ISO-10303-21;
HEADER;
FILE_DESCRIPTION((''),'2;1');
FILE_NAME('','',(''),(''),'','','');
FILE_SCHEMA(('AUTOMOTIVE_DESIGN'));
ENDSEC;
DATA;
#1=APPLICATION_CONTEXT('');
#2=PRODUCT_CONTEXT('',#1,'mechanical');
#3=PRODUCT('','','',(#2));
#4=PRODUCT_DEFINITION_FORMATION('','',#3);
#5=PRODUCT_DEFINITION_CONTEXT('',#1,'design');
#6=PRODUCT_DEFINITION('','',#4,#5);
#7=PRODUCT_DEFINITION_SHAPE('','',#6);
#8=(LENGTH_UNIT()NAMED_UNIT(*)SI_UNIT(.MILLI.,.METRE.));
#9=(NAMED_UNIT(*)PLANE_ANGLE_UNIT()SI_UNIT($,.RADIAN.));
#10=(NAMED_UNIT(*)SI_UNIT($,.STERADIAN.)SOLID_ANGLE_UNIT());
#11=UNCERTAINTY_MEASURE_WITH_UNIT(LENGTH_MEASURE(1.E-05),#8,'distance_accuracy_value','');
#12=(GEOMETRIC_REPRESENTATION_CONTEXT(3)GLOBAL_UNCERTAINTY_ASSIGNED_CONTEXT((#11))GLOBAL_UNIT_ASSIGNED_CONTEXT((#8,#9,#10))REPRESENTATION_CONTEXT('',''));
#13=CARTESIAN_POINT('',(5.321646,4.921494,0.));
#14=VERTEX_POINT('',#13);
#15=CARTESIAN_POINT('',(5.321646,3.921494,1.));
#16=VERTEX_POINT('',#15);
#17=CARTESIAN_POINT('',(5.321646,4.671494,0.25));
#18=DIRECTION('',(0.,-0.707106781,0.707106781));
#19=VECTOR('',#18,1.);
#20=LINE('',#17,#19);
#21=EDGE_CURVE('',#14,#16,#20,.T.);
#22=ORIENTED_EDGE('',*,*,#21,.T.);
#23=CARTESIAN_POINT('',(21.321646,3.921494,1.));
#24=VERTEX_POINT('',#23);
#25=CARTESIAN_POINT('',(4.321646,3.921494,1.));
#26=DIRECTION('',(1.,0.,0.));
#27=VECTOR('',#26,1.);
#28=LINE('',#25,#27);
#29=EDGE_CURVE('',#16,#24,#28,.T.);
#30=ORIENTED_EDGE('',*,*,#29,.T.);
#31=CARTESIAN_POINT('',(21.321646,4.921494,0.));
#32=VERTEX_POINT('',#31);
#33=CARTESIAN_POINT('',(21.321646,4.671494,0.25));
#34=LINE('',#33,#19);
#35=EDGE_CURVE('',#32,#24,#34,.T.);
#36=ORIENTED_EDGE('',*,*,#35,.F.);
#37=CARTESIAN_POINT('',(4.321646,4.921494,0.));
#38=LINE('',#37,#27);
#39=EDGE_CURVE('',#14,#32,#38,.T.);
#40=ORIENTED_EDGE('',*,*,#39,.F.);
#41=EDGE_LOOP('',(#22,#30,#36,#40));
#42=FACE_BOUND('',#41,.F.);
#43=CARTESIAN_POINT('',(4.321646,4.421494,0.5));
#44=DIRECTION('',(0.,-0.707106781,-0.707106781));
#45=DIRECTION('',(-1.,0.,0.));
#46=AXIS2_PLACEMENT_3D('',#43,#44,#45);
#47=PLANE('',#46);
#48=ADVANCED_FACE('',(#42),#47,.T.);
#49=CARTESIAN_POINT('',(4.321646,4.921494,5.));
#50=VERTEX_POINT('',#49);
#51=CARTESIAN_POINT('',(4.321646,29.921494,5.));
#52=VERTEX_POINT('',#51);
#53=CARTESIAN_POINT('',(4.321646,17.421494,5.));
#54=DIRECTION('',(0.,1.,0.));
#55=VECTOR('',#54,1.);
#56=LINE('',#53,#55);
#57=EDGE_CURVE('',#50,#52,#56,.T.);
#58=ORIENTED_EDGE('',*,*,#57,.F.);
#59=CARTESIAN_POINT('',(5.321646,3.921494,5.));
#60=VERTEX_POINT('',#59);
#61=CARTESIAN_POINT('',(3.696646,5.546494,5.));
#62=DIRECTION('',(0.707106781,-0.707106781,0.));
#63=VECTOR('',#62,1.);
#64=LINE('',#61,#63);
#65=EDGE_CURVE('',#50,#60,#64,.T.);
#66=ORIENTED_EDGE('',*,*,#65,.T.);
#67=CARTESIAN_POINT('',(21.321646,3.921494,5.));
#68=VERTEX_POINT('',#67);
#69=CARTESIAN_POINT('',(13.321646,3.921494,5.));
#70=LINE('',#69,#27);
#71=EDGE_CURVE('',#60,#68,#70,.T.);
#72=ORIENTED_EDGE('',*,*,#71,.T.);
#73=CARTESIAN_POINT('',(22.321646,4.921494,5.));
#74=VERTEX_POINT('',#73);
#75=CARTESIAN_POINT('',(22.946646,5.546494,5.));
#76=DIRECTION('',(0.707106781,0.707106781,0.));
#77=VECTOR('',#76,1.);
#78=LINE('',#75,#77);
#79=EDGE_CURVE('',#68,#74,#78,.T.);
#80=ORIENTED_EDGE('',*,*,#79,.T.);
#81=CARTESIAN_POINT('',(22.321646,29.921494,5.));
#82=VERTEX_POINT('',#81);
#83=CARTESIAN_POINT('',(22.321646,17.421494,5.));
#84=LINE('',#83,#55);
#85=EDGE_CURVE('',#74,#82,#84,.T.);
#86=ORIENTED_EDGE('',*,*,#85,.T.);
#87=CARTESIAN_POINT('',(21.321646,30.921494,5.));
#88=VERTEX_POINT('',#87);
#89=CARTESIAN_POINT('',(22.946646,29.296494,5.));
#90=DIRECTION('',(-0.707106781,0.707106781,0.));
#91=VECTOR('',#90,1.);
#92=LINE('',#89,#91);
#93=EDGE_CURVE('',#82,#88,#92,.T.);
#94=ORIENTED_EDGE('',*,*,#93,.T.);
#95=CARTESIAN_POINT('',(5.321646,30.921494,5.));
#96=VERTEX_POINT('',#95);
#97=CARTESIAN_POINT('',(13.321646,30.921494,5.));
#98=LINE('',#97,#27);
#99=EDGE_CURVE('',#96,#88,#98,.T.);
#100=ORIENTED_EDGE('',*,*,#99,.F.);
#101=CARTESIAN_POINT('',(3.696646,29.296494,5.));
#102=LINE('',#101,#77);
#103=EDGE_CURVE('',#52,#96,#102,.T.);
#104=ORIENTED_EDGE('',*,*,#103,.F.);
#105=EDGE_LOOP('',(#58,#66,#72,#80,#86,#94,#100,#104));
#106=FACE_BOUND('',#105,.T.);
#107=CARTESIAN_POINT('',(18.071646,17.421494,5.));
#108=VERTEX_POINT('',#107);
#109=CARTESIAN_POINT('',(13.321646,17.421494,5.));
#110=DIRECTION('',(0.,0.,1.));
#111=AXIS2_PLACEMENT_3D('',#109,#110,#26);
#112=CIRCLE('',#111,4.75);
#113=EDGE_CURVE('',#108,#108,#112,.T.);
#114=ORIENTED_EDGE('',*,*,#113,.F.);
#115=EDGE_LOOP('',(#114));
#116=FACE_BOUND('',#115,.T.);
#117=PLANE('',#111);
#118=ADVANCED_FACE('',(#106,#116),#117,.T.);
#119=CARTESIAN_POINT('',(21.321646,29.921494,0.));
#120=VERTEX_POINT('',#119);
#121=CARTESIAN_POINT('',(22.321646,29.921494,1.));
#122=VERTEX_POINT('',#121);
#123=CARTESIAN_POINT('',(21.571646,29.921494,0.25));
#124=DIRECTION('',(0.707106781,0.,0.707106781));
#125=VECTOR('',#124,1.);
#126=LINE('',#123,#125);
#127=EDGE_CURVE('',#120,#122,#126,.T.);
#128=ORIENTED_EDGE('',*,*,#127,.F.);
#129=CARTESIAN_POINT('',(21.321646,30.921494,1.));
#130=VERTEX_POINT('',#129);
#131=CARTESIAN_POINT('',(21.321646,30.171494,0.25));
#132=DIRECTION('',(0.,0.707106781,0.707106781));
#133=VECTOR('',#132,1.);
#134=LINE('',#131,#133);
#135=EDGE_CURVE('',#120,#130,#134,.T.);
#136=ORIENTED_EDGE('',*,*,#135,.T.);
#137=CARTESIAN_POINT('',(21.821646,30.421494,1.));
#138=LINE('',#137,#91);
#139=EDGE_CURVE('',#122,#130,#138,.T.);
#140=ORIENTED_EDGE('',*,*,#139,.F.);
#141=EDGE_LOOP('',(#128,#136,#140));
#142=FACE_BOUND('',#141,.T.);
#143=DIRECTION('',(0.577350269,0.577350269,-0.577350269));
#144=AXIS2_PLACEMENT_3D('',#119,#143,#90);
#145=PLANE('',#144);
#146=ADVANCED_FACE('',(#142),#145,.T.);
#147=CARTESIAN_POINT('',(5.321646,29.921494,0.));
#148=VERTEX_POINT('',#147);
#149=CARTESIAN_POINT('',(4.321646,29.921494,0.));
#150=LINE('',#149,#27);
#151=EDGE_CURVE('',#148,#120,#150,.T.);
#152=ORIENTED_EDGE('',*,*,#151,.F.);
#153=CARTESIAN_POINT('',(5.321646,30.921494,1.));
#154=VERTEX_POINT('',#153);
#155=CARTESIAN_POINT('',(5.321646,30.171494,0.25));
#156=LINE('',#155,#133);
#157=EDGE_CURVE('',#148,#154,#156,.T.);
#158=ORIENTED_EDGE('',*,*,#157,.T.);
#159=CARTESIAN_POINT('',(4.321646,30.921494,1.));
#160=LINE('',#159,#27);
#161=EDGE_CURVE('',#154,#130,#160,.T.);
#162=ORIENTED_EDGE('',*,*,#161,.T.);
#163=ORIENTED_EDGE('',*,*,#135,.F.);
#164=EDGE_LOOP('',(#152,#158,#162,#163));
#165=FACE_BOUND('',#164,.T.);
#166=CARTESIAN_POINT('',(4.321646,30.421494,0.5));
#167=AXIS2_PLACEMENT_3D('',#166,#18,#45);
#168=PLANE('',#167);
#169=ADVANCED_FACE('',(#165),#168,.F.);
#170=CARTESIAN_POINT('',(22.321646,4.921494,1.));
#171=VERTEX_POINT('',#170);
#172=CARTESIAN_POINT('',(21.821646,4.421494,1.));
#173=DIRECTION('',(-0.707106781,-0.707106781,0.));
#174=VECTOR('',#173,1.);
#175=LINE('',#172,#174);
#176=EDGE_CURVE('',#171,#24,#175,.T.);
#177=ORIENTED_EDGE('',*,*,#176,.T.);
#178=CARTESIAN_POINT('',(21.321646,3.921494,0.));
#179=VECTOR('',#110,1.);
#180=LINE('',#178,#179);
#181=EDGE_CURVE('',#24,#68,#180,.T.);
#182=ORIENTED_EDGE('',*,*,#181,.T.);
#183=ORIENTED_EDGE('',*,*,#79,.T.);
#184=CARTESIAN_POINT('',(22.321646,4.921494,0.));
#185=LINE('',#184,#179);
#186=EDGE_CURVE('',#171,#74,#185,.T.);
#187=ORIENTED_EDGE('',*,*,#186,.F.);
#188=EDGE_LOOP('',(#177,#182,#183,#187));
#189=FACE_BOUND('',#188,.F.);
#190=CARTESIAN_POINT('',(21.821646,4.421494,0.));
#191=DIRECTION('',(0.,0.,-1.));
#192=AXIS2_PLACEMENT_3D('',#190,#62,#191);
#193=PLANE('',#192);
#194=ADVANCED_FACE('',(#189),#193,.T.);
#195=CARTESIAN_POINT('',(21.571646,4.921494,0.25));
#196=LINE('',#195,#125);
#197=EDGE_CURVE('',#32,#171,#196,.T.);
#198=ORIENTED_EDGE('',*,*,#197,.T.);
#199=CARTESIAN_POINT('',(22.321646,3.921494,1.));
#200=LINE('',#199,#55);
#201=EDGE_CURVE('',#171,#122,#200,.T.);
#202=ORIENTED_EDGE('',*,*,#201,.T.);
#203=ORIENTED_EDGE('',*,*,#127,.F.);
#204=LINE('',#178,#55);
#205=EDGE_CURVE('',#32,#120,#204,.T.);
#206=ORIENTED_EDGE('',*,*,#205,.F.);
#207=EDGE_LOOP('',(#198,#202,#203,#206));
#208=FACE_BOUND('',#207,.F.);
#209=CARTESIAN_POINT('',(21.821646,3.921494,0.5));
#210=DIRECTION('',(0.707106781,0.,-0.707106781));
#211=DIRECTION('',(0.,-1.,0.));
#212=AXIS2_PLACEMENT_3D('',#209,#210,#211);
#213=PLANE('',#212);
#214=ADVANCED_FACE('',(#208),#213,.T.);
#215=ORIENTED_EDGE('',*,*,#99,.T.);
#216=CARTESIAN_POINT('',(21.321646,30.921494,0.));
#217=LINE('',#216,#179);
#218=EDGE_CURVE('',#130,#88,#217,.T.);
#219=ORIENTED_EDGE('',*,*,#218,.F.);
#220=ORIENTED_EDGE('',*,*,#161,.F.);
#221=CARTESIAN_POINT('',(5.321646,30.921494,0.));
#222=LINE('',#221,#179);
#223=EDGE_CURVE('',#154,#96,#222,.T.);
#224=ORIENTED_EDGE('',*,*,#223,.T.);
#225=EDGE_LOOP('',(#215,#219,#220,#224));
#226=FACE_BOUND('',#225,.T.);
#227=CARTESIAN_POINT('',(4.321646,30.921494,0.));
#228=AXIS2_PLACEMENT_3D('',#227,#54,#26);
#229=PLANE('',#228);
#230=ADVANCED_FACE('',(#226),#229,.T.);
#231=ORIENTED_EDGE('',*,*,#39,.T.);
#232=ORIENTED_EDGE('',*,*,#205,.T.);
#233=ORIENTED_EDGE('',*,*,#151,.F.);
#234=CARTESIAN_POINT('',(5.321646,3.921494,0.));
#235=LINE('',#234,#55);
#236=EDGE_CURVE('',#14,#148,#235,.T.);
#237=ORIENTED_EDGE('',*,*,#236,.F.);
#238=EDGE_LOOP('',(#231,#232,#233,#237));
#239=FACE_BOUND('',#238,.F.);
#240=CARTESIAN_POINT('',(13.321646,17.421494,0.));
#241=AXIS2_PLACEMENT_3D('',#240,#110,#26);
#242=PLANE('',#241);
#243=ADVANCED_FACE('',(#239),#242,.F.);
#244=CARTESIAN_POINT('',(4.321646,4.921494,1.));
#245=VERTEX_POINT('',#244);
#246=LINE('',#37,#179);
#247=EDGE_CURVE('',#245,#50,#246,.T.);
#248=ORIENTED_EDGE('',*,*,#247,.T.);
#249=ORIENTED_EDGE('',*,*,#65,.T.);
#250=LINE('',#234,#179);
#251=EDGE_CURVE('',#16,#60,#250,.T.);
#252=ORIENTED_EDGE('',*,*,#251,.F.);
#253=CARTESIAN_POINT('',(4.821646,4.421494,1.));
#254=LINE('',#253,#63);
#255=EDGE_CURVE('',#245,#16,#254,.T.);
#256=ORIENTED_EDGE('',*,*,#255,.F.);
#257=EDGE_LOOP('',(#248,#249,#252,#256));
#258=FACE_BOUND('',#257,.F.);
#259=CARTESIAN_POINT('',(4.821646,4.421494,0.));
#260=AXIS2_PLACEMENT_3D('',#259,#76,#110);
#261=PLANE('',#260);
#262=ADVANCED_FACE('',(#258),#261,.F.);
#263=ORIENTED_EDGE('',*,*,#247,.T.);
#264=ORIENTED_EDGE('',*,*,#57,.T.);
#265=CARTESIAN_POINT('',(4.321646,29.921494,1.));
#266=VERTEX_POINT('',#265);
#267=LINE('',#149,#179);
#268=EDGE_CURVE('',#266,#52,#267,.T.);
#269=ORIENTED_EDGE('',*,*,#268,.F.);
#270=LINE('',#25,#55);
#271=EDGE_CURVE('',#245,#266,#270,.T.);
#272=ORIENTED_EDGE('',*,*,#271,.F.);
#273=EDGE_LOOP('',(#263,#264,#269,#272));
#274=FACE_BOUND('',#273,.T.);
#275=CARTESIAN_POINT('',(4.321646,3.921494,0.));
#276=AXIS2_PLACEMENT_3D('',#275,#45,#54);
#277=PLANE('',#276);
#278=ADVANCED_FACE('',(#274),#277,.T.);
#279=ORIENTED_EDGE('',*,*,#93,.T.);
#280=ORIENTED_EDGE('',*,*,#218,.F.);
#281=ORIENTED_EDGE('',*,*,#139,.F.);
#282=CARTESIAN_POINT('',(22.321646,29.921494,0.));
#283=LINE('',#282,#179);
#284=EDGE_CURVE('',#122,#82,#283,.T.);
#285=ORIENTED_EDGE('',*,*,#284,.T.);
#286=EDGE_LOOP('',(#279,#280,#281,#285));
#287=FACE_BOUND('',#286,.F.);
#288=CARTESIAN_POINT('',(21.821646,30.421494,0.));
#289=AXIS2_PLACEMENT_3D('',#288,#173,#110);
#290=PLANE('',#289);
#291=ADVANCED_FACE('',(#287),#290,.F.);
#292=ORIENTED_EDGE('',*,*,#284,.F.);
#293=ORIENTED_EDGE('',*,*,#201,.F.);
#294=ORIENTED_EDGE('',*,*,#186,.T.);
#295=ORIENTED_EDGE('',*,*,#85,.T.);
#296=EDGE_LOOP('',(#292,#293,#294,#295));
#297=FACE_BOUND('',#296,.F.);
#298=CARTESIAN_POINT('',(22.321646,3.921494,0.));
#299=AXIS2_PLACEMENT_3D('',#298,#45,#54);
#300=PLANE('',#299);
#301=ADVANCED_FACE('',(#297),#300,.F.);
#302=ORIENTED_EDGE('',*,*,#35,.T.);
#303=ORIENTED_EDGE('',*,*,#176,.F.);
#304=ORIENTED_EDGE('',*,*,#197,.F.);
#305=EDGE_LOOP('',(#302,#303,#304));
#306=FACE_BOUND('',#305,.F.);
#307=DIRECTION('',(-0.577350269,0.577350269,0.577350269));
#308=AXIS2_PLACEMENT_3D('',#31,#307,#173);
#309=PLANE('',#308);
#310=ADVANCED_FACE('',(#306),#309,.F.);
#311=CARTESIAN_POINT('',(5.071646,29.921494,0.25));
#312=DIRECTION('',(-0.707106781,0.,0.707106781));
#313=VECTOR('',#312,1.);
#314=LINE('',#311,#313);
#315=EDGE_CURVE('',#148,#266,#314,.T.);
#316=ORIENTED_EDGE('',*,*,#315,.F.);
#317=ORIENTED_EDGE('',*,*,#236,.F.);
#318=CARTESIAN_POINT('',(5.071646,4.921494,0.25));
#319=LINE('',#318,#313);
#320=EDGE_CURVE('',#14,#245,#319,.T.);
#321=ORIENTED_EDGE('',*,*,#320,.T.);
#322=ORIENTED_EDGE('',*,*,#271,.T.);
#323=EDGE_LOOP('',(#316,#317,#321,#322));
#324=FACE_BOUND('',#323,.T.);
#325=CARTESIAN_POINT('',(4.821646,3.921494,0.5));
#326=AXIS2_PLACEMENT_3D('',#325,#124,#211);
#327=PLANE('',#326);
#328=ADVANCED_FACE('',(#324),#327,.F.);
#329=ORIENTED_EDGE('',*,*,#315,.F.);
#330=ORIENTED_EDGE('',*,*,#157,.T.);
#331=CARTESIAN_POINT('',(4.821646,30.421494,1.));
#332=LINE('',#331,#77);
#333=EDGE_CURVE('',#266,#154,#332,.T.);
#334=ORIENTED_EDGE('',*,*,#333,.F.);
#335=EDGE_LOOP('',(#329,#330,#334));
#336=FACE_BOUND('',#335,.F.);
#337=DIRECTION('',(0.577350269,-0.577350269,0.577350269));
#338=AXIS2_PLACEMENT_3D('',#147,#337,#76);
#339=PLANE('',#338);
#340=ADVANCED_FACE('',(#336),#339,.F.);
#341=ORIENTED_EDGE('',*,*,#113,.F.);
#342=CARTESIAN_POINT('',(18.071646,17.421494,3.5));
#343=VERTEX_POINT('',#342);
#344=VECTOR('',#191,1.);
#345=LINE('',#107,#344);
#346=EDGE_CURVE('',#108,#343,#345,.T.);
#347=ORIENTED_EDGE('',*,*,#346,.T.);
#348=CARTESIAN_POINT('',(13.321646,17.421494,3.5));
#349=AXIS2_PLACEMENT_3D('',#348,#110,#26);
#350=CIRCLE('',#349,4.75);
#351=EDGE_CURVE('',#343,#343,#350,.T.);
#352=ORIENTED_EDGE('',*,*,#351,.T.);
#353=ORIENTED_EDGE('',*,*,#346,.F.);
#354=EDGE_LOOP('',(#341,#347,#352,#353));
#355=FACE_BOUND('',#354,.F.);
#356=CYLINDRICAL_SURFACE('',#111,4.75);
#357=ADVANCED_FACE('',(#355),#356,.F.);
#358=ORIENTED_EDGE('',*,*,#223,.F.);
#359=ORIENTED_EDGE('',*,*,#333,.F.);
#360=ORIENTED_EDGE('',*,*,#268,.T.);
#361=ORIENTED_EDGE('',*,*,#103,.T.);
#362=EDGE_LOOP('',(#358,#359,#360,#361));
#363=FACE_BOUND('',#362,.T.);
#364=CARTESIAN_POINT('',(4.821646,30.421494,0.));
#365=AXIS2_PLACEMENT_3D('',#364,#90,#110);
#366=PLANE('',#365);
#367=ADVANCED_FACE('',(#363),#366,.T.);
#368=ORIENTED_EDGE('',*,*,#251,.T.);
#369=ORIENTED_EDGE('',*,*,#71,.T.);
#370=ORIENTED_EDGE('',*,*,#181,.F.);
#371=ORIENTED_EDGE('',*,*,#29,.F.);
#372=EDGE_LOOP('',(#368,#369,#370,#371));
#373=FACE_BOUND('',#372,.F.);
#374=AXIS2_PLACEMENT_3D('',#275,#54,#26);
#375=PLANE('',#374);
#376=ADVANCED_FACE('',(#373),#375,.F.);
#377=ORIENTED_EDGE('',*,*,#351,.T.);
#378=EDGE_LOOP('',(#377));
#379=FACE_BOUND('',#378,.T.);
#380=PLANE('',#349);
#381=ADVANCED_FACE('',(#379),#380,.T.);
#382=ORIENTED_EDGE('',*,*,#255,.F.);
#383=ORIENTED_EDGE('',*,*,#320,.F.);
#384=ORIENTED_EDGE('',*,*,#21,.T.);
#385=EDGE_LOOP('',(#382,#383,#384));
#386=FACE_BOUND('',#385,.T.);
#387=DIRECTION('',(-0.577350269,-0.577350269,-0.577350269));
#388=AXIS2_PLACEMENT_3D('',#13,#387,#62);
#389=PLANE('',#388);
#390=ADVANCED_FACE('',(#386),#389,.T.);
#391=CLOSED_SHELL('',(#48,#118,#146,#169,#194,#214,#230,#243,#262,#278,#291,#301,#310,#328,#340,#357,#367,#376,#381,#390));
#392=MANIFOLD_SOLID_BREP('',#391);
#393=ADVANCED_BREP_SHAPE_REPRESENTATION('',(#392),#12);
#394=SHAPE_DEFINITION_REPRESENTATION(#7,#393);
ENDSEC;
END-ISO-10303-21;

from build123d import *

# Parameters (mm, degrees)
F0_W     = 18
F0_H     = 27
F1_DEPTH = 5
F2_SIZE  = 1
F3_R     = 4.75
F4_DEPTH = 1.5


with BuildPart() as f1:
    # F0 (on Top) → F1 (new body)
    with BuildSketch(Plane.XY):
        with Locations((13.321646, 17.421494)):
            Rectangle(F0_W, F0_H)
    extrude(amount=F1_DEPTH)

    # F2
    f2_edges = [f1.edges().sort_by_distance(p)[0] for p in [
        (4.321646, 30.921494, 2.5),
        (4.321646, 3.921494, 2.5),
        (22.321646, 3.921494, 2.5),
        (22.321646, 30.921494, 2.5),
        (22.321646, 17.421494, 0),
        (4.321646, 17.421494, 0),
        (13.321646, 3.921494, 0),
        (13.321646, 30.921494, 0),
    ]]
    chamfer(f2_edges, length=F2_SIZE)

    # F3 (on face) → F4 (cut)
    with BuildSketch(Plane.XY.offset(5)):
        with Locations((13.321646, 17.421494)):
            Circle(F3_R)
    extrude(amount=-F4_DEPTH, mode=Mode.SUBTRACT)


solid = f1.part
